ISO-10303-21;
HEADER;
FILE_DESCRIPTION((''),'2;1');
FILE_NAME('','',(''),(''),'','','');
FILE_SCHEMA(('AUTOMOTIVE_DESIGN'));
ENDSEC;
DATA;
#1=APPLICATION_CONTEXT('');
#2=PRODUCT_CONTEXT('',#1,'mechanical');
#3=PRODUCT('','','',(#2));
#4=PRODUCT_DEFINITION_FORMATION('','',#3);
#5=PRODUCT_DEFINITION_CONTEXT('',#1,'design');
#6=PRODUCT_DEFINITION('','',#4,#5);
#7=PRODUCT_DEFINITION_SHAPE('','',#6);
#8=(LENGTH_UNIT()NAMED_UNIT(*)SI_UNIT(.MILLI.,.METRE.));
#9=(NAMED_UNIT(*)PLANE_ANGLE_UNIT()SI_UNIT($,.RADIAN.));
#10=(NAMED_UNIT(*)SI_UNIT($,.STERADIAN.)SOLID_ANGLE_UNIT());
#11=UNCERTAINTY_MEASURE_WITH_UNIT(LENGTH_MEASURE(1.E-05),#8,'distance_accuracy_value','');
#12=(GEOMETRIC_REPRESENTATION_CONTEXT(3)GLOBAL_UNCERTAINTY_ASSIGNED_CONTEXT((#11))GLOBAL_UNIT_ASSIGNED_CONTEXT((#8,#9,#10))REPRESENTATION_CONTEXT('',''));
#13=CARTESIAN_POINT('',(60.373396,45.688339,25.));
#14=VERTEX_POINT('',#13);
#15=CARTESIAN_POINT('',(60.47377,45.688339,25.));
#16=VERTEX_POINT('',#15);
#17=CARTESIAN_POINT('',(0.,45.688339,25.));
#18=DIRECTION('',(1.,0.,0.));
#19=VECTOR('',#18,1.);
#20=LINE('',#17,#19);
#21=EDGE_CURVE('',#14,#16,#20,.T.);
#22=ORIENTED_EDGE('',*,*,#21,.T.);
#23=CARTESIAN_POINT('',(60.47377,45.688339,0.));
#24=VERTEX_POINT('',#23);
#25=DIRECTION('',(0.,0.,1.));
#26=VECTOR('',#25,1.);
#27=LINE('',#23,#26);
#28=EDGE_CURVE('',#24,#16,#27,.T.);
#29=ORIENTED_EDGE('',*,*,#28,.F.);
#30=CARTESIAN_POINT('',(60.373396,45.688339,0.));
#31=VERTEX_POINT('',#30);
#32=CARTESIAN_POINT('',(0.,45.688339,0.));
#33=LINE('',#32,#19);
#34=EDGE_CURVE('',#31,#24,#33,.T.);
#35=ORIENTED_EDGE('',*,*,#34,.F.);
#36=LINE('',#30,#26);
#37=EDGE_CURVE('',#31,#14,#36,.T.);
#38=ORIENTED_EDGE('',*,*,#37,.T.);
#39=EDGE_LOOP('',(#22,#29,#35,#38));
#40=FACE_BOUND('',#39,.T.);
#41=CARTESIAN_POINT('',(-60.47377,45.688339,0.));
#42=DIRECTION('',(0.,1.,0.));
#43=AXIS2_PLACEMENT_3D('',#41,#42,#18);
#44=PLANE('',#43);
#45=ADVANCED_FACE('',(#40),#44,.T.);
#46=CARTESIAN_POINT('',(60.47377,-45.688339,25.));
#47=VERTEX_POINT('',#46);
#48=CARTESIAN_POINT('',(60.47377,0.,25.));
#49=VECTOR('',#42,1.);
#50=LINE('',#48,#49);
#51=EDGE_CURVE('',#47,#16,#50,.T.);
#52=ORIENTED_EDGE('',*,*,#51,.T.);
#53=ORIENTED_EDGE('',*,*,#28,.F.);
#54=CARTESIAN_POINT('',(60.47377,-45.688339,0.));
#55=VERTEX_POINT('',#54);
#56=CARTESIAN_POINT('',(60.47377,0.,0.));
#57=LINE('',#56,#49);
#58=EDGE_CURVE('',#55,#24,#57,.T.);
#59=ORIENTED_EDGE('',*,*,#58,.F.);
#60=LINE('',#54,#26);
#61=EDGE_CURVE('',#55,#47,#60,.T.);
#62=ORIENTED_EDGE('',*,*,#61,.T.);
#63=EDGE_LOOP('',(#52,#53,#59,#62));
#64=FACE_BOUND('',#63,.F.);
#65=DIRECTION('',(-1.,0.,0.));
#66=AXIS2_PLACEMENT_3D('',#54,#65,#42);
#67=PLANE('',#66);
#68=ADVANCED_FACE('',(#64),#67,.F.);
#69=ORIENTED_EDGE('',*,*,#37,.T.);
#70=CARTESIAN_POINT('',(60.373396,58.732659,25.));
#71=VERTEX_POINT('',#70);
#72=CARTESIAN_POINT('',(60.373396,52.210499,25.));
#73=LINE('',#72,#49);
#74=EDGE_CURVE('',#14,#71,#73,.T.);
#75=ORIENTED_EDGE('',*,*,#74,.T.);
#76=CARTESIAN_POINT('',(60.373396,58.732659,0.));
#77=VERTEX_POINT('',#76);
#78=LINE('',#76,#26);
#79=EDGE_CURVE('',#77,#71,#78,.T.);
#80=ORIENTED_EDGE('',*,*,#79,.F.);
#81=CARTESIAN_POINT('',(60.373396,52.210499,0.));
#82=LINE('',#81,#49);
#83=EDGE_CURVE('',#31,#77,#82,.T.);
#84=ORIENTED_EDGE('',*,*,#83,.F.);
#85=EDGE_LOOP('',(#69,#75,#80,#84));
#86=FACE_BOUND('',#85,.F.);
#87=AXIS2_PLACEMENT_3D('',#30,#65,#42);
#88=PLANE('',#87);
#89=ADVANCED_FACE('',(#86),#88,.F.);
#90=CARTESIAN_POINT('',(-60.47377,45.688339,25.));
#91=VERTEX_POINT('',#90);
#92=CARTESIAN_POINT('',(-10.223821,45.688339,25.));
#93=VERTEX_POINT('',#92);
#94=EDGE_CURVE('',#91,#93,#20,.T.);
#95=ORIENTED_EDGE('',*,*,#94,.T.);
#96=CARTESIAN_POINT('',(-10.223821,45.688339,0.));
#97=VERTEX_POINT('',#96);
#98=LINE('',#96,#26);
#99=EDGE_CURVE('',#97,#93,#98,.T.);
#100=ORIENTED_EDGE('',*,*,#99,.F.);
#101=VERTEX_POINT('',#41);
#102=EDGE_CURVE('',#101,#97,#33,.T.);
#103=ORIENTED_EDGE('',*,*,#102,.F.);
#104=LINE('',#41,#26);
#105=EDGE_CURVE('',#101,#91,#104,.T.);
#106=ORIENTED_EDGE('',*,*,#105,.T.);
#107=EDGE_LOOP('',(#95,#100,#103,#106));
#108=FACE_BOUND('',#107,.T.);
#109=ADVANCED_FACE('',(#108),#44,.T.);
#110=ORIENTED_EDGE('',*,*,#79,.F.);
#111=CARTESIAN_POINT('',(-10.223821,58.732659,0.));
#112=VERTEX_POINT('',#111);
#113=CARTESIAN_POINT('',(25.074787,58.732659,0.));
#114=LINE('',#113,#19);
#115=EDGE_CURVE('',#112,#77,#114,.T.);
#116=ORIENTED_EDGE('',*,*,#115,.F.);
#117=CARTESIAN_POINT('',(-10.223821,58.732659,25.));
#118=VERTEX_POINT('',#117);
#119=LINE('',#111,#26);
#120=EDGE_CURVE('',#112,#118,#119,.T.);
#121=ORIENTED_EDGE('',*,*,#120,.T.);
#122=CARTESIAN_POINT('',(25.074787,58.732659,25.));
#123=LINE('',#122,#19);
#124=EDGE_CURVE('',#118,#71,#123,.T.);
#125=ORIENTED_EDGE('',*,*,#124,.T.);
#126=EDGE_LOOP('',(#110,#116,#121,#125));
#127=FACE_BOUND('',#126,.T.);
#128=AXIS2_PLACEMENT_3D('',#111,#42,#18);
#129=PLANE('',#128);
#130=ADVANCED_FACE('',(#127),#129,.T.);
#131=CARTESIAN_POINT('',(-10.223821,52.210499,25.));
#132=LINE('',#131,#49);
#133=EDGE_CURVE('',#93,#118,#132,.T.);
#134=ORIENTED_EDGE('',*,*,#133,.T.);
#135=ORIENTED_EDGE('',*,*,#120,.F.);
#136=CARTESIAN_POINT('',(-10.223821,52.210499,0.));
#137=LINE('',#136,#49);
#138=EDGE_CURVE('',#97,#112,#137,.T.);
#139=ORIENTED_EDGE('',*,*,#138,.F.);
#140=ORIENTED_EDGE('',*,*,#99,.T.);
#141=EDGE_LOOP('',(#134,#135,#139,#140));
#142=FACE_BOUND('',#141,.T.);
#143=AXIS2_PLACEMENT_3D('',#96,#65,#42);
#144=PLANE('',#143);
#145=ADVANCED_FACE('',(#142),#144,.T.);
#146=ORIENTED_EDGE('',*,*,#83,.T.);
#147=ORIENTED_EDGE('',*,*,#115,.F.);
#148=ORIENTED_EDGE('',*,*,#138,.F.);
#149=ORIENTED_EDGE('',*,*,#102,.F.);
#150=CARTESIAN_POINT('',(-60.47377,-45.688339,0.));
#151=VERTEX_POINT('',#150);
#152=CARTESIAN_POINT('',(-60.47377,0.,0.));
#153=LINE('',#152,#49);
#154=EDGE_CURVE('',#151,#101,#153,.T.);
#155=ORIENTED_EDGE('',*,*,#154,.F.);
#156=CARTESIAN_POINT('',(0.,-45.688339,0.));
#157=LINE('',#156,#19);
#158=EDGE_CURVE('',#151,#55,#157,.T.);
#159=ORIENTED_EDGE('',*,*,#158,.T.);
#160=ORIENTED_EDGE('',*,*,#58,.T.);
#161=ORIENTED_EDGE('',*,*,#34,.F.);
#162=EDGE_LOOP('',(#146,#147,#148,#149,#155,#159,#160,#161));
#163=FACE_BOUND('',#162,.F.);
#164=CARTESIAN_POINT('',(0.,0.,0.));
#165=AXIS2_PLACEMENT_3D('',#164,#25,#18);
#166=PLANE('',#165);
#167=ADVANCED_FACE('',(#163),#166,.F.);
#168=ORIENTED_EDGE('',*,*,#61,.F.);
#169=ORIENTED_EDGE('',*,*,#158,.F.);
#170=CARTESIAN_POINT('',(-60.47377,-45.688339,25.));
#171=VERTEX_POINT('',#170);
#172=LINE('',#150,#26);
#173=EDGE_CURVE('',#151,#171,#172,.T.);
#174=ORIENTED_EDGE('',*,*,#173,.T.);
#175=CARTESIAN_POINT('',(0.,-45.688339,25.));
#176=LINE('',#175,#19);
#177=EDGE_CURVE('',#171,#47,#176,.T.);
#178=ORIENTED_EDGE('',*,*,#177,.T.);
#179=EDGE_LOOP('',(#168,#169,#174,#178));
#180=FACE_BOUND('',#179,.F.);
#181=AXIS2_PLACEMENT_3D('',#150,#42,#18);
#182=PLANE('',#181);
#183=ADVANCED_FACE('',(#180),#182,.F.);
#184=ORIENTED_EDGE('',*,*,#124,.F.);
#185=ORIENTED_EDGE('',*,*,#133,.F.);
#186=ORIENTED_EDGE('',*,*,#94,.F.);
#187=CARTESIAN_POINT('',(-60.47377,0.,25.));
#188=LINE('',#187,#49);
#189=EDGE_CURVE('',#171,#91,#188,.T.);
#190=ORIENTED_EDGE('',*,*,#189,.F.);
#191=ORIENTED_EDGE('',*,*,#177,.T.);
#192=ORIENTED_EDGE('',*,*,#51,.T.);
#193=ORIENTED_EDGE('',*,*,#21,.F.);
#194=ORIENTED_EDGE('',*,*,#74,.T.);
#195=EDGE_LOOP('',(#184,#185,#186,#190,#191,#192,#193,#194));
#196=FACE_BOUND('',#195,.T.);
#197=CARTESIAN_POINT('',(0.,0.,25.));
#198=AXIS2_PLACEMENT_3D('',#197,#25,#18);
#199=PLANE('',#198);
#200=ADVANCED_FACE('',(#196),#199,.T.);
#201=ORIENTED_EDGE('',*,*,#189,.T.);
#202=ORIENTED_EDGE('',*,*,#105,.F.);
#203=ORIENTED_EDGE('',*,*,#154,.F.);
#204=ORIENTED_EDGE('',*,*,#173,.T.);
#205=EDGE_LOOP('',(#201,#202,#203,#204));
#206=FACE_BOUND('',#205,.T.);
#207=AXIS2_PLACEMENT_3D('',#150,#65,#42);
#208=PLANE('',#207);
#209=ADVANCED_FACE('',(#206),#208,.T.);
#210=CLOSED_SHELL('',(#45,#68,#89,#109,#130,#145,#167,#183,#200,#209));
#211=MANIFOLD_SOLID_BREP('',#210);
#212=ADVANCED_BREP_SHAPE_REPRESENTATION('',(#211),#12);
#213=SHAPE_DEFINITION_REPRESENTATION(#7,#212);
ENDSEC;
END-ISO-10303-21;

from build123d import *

# Parameters (mm, degrees)
F1_W     = 70.597217
F1_H     = 13.04432
F2_DEPTH = 25
F0_W     = 120.94754
F0_H     = 91.376678
F3_DEPTH = 25


with BuildPart() as f2:
    # F1 (on face) → F2 (new body)
    with BuildSketch(Plane.XY):
        with Locations((25.074787, 52.210499)):
            Rectangle(F1_W, F1_H)
    extrude(amount=F2_DEPTH)

    # F0 (on Top) → F3 (join)
    with BuildSketch(Plane.XY):
        Rectangle(F0_W, F0_H)
    extrude(amount=F3_DEPTH)


solid = f2.part
